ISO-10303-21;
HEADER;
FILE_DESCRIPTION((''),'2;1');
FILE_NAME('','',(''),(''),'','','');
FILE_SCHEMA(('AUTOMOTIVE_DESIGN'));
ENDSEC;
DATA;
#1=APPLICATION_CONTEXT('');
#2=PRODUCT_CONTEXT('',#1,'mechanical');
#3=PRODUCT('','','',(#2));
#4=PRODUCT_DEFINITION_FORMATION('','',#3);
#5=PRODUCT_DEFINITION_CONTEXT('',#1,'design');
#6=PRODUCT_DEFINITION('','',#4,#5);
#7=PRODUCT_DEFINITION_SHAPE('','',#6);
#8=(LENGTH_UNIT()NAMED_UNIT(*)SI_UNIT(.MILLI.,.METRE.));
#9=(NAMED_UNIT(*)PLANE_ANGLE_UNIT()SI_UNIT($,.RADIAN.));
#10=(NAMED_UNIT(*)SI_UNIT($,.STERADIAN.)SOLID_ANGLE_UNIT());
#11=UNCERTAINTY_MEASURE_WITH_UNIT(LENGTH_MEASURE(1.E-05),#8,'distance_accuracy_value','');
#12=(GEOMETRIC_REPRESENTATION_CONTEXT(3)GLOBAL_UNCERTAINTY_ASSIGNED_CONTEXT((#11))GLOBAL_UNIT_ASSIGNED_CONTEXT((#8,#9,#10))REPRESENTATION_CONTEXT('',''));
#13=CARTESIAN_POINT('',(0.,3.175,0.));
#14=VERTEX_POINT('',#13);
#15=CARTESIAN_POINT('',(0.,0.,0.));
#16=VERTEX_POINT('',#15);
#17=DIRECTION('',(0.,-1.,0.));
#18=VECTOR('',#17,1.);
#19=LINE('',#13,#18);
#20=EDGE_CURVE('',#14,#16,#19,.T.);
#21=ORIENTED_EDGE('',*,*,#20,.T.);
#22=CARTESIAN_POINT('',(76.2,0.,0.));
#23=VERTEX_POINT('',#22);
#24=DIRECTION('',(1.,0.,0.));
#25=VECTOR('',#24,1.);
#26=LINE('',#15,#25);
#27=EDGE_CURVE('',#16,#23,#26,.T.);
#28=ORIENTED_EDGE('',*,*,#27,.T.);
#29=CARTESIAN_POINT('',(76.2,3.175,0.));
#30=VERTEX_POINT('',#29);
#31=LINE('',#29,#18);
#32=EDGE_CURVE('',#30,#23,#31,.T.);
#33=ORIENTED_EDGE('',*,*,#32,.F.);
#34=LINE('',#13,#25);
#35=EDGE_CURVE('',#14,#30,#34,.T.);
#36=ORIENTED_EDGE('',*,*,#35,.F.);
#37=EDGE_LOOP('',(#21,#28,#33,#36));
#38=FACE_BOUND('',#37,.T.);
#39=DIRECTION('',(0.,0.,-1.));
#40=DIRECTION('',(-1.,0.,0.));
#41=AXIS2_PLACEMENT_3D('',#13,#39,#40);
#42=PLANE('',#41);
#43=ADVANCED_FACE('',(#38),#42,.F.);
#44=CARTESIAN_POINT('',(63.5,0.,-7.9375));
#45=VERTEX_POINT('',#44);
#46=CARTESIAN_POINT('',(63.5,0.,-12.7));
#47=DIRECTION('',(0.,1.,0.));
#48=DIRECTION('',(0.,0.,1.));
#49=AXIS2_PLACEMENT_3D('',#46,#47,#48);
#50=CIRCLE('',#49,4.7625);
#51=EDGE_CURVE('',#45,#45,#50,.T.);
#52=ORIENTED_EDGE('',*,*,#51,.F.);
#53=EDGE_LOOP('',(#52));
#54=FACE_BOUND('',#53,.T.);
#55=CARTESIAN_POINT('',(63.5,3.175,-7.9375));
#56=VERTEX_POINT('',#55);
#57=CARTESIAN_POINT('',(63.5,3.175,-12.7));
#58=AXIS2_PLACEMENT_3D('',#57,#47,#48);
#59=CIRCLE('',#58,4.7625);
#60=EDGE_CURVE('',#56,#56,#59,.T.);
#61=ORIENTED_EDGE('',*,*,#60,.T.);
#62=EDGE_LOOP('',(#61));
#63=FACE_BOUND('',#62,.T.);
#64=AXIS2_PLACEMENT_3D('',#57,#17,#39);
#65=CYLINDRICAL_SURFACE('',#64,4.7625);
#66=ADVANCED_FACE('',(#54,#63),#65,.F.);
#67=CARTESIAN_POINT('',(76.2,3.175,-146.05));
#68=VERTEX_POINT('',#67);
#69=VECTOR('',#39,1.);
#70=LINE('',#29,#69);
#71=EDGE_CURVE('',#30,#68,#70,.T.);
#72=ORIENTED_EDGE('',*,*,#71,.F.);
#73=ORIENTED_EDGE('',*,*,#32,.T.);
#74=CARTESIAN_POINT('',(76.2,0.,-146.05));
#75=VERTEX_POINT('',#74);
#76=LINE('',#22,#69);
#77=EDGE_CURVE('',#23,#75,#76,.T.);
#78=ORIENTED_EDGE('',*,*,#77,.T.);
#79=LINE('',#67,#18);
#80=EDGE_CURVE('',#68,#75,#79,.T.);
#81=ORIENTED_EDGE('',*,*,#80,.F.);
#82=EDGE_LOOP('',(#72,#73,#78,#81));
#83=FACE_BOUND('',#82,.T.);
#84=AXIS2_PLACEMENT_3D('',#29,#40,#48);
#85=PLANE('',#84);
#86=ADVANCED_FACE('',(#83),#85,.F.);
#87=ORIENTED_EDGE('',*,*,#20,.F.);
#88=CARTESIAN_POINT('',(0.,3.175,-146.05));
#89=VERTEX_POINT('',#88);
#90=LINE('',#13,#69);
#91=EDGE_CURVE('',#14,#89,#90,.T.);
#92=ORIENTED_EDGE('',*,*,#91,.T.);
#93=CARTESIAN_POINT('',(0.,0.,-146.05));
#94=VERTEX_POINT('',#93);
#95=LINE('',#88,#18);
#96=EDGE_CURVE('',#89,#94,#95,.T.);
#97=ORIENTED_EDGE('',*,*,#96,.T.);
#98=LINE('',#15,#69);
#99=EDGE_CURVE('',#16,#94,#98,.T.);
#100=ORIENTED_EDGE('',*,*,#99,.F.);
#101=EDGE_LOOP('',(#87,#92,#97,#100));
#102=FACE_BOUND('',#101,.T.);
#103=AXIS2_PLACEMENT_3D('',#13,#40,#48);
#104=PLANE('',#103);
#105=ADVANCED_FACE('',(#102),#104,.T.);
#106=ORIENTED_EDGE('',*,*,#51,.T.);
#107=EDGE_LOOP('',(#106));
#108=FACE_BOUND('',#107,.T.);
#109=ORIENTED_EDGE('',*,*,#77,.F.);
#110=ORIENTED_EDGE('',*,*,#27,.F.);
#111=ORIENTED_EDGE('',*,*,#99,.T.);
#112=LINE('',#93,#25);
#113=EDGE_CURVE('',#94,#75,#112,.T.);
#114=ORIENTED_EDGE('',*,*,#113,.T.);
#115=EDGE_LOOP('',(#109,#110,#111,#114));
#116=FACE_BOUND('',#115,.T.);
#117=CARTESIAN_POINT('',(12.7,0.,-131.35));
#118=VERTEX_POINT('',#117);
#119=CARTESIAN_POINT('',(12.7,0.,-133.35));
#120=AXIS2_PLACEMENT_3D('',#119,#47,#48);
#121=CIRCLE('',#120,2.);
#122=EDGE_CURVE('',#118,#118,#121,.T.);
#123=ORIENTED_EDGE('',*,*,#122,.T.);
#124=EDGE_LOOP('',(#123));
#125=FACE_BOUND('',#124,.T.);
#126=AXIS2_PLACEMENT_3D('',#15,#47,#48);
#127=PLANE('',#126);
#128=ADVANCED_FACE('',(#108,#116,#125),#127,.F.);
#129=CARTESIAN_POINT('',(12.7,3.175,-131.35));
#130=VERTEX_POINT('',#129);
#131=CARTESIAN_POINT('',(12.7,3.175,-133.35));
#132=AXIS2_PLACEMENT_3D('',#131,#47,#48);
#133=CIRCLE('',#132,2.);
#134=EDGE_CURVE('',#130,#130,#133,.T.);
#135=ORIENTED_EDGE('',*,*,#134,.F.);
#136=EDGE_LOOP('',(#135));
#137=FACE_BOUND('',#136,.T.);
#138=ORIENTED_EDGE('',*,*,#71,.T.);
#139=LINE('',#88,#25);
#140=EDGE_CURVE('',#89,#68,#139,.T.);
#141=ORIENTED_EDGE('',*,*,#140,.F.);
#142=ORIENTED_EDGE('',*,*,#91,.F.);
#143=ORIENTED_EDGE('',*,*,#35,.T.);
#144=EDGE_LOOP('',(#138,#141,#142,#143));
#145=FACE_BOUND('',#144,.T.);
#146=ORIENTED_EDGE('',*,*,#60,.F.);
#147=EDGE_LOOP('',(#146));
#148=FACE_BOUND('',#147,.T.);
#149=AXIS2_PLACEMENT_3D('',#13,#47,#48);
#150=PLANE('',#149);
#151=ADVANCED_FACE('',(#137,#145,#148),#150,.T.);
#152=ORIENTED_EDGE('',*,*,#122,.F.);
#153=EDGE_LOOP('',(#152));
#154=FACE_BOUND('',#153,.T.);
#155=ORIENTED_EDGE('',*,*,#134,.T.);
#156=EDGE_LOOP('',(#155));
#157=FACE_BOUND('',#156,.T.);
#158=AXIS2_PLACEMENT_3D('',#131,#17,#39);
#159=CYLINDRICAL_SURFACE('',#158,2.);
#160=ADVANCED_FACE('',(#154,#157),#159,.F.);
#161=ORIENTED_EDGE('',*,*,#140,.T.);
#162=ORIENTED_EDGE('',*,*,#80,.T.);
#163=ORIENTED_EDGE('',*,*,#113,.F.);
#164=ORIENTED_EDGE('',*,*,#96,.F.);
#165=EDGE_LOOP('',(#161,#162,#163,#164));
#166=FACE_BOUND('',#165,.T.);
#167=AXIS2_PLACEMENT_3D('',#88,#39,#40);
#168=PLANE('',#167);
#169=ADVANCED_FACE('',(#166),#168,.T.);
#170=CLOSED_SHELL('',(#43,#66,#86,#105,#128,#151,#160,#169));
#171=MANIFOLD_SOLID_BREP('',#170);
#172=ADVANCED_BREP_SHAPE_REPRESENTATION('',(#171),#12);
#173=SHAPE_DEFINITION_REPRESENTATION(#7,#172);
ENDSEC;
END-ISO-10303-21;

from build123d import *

# Parameters (mm, degrees)
SKETCH1_W           = 76.2
SKETCH1_H           = 146.05
SKETCH1_R           = 4.7625
SKETCH1_R_2         = 2
BOSS_EXTRUDE1_DEPTH = 3.175


with BuildPart() as part:
    # Sketch1 → Boss-Extrude1 (new body)
    with BuildSketch(Plane(origin=(0, 0, 0), x_dir=(1, 0, 0), z_dir=(0, 1, 0))):
        with Locations((38.1, 73.025)):
            Rectangle(SKETCH1_W, SKETCH1_H)
        with Locations(Location((63.5, 12.7, 0), (0, 0, 270))):
            Circle(SKETCH1_R, mode=Mode.SUBTRACT)
        with Locations(Location((12.7, 133.35, 0), (0, 0, 270))):
            Circle(SKETCH1_R_2, mode=Mode.SUBTRACT)
    extrude(amount=BOSS_EXTRUDE1_DEPTH)


solid = part.part
